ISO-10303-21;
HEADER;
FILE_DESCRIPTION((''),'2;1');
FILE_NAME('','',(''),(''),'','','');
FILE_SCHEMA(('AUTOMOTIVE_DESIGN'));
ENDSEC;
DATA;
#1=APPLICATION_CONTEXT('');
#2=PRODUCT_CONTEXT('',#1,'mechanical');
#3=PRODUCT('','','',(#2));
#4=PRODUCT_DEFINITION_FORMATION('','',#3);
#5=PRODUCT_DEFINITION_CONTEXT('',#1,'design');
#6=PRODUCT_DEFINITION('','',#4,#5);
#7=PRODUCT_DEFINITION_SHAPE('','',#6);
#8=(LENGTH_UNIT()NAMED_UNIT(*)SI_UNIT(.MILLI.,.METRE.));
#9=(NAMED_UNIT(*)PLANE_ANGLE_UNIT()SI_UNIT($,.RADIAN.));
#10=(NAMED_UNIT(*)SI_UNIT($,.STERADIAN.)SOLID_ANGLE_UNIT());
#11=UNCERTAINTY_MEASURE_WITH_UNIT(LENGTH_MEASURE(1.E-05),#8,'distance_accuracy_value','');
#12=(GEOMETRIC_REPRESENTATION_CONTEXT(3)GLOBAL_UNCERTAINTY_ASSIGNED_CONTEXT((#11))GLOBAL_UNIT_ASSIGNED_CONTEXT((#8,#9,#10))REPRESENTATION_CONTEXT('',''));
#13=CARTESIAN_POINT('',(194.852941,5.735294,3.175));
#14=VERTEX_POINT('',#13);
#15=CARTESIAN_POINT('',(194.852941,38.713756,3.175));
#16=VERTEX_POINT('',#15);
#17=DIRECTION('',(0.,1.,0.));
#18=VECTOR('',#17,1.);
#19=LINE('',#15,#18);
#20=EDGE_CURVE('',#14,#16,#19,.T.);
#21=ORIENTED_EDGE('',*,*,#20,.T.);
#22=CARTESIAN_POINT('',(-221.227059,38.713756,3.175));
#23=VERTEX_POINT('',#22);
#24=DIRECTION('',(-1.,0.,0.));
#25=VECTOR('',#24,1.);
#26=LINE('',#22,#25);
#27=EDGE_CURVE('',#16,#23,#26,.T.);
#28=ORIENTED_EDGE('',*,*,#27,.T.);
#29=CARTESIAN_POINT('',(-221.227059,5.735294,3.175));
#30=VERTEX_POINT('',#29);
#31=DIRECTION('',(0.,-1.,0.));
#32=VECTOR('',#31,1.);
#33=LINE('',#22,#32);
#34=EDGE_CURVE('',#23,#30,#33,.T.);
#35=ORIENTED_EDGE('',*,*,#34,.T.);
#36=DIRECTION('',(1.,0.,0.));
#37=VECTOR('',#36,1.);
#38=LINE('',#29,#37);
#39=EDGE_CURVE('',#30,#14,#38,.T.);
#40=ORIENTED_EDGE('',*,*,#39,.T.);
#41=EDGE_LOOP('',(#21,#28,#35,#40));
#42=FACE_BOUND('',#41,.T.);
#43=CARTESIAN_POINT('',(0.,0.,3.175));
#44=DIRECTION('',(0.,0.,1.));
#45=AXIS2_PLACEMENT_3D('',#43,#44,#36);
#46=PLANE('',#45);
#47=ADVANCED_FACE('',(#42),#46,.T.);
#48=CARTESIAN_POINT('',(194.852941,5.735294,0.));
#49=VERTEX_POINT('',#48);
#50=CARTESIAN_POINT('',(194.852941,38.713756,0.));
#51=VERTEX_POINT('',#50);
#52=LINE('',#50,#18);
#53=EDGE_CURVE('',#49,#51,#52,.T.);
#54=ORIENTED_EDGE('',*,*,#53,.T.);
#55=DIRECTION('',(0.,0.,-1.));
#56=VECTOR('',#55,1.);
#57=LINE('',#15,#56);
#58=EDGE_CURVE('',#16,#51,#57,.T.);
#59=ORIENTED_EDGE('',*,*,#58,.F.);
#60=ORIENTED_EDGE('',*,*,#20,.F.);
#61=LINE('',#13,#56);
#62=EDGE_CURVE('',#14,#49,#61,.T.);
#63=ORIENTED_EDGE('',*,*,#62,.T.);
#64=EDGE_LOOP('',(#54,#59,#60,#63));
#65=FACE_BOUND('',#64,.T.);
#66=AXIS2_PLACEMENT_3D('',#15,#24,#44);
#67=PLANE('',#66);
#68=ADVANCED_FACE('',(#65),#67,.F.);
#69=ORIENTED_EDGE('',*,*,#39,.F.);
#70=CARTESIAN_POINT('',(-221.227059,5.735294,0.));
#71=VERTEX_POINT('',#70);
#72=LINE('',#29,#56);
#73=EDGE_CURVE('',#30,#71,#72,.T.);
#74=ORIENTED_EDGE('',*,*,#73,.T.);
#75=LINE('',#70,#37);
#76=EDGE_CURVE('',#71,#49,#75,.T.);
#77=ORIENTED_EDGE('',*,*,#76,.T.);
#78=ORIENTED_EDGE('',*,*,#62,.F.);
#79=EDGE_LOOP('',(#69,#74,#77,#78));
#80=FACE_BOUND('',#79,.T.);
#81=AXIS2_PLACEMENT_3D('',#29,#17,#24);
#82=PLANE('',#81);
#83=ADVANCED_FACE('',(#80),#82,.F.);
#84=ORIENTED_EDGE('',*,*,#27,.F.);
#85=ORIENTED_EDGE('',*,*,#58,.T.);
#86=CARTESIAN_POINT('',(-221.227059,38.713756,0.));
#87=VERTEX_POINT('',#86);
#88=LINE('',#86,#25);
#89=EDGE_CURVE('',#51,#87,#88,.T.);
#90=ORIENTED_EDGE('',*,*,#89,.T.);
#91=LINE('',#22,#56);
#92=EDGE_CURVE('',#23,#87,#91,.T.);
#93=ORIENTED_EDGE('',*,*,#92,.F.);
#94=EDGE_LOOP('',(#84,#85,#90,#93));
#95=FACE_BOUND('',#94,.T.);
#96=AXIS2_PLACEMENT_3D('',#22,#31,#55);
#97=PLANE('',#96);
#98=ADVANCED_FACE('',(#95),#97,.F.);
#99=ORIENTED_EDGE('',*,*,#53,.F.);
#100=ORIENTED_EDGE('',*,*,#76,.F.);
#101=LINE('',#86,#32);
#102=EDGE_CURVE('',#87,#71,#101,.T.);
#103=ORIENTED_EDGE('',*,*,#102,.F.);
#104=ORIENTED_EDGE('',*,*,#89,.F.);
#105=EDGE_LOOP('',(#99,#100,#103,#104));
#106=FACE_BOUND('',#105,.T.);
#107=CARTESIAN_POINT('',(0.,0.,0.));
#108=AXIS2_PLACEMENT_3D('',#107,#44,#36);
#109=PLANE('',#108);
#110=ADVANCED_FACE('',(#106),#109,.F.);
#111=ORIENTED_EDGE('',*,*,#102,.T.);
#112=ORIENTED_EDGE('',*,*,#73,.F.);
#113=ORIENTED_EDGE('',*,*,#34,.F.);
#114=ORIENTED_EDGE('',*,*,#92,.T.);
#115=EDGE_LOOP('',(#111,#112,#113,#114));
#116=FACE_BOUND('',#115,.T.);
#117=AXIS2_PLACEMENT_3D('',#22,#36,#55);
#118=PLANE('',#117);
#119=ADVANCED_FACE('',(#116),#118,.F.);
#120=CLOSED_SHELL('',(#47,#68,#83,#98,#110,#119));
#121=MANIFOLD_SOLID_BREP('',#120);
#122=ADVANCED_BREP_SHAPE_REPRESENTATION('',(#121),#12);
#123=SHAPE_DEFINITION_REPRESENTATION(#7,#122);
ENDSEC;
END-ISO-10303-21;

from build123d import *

# Parameters (mm, degrees)
SKETCH1_W           = 416.08
SKETCH1_H           = 32.978461645
BOSS_EXTRUDE1_DEPTH = 3.175


with BuildPart() as part:
    # Sketch1 → Boss-Extrude1 (new body)
    with BuildSketch(Plane.XY):
        with Locations((-13.187058824, 22.224524941)):
            Rectangle(SKETCH1_W, SKETCH1_H)
    extrude(amount=BOSS_EXTRUDE1_DEPTH)


solid = part.part
